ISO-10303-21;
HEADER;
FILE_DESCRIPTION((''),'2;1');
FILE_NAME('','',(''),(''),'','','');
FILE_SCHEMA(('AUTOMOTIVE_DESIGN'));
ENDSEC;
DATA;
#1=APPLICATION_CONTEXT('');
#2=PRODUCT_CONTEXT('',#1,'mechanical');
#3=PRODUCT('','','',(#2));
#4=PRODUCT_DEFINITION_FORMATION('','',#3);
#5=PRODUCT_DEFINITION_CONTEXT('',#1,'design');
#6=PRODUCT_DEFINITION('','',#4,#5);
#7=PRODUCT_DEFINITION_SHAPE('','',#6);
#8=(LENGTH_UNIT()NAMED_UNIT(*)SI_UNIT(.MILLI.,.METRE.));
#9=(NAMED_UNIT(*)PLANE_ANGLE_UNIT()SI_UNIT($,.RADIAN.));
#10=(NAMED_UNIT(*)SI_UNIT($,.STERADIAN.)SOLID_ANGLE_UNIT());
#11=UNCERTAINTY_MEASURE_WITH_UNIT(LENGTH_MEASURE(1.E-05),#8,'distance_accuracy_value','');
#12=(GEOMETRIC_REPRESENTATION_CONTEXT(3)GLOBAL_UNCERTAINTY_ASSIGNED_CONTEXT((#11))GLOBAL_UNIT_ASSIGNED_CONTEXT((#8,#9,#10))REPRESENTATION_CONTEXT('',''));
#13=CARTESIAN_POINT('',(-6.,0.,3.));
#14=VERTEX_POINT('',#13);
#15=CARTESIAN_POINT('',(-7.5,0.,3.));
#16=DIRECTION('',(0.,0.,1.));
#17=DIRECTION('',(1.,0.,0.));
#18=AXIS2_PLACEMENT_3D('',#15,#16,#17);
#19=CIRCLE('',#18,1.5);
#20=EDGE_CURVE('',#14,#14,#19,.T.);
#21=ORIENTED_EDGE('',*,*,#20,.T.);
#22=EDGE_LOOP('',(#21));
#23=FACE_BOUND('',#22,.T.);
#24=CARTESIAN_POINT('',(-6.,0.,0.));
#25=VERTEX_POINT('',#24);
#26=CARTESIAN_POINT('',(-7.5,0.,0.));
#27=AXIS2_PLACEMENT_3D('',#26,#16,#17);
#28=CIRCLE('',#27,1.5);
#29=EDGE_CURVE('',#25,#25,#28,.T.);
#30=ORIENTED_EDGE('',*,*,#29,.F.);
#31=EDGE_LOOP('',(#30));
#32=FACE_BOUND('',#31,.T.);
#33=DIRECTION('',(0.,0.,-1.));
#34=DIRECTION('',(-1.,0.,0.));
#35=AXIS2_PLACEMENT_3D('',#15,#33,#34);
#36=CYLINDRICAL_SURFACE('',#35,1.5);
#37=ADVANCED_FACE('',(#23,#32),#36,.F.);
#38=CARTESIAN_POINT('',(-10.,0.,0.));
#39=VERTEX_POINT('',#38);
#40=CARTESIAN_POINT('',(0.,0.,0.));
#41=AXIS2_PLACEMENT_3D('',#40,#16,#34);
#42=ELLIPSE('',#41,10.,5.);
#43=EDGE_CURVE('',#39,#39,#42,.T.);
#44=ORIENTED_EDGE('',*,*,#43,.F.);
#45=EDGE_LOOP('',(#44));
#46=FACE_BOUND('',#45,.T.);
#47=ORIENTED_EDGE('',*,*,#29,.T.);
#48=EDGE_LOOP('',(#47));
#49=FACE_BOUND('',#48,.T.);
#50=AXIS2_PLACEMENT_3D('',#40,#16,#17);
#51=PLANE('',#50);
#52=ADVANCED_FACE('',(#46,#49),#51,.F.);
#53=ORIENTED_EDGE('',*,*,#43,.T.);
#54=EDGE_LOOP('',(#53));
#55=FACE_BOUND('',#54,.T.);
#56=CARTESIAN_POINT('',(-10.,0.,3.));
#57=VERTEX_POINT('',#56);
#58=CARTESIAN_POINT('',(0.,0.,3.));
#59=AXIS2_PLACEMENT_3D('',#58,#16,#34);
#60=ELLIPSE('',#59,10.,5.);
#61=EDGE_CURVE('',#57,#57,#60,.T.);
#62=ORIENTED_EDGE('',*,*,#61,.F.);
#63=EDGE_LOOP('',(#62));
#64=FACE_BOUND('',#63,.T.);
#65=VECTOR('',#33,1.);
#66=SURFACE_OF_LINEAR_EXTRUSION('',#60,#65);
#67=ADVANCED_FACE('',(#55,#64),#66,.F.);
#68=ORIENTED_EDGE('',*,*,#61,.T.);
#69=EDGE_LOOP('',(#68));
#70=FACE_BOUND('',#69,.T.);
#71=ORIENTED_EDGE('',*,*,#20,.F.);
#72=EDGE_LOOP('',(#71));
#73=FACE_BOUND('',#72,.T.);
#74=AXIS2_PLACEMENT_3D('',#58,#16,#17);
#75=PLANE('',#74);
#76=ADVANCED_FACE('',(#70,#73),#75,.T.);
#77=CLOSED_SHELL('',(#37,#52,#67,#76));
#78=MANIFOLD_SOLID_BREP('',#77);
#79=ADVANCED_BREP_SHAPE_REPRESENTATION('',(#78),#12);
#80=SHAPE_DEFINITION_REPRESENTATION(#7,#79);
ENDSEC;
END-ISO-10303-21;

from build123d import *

# Parameters (mm, degrees)
SKETCH1_RX          = 10
SKETCH1_RY          = 5
SKETCH1_R           = 1.5
BOSS_EXTRUDE1_DEPTH = 3


with BuildPart() as part:
    # Sketch1 → Boss-Extrude1 (new body)
    with BuildSketch(Plane.XY):
        with Locations(Location((0, 0), (0, 0, 180))):
            Ellipse(SKETCH1_RX, SKETCH1_RY)
        with Locations((-7.5, 0)):
            Circle(SKETCH1_R, mode=Mode.SUBTRACT)
    extrude(amount=BOSS_EXTRUDE1_DEPTH)


solid = part.part
